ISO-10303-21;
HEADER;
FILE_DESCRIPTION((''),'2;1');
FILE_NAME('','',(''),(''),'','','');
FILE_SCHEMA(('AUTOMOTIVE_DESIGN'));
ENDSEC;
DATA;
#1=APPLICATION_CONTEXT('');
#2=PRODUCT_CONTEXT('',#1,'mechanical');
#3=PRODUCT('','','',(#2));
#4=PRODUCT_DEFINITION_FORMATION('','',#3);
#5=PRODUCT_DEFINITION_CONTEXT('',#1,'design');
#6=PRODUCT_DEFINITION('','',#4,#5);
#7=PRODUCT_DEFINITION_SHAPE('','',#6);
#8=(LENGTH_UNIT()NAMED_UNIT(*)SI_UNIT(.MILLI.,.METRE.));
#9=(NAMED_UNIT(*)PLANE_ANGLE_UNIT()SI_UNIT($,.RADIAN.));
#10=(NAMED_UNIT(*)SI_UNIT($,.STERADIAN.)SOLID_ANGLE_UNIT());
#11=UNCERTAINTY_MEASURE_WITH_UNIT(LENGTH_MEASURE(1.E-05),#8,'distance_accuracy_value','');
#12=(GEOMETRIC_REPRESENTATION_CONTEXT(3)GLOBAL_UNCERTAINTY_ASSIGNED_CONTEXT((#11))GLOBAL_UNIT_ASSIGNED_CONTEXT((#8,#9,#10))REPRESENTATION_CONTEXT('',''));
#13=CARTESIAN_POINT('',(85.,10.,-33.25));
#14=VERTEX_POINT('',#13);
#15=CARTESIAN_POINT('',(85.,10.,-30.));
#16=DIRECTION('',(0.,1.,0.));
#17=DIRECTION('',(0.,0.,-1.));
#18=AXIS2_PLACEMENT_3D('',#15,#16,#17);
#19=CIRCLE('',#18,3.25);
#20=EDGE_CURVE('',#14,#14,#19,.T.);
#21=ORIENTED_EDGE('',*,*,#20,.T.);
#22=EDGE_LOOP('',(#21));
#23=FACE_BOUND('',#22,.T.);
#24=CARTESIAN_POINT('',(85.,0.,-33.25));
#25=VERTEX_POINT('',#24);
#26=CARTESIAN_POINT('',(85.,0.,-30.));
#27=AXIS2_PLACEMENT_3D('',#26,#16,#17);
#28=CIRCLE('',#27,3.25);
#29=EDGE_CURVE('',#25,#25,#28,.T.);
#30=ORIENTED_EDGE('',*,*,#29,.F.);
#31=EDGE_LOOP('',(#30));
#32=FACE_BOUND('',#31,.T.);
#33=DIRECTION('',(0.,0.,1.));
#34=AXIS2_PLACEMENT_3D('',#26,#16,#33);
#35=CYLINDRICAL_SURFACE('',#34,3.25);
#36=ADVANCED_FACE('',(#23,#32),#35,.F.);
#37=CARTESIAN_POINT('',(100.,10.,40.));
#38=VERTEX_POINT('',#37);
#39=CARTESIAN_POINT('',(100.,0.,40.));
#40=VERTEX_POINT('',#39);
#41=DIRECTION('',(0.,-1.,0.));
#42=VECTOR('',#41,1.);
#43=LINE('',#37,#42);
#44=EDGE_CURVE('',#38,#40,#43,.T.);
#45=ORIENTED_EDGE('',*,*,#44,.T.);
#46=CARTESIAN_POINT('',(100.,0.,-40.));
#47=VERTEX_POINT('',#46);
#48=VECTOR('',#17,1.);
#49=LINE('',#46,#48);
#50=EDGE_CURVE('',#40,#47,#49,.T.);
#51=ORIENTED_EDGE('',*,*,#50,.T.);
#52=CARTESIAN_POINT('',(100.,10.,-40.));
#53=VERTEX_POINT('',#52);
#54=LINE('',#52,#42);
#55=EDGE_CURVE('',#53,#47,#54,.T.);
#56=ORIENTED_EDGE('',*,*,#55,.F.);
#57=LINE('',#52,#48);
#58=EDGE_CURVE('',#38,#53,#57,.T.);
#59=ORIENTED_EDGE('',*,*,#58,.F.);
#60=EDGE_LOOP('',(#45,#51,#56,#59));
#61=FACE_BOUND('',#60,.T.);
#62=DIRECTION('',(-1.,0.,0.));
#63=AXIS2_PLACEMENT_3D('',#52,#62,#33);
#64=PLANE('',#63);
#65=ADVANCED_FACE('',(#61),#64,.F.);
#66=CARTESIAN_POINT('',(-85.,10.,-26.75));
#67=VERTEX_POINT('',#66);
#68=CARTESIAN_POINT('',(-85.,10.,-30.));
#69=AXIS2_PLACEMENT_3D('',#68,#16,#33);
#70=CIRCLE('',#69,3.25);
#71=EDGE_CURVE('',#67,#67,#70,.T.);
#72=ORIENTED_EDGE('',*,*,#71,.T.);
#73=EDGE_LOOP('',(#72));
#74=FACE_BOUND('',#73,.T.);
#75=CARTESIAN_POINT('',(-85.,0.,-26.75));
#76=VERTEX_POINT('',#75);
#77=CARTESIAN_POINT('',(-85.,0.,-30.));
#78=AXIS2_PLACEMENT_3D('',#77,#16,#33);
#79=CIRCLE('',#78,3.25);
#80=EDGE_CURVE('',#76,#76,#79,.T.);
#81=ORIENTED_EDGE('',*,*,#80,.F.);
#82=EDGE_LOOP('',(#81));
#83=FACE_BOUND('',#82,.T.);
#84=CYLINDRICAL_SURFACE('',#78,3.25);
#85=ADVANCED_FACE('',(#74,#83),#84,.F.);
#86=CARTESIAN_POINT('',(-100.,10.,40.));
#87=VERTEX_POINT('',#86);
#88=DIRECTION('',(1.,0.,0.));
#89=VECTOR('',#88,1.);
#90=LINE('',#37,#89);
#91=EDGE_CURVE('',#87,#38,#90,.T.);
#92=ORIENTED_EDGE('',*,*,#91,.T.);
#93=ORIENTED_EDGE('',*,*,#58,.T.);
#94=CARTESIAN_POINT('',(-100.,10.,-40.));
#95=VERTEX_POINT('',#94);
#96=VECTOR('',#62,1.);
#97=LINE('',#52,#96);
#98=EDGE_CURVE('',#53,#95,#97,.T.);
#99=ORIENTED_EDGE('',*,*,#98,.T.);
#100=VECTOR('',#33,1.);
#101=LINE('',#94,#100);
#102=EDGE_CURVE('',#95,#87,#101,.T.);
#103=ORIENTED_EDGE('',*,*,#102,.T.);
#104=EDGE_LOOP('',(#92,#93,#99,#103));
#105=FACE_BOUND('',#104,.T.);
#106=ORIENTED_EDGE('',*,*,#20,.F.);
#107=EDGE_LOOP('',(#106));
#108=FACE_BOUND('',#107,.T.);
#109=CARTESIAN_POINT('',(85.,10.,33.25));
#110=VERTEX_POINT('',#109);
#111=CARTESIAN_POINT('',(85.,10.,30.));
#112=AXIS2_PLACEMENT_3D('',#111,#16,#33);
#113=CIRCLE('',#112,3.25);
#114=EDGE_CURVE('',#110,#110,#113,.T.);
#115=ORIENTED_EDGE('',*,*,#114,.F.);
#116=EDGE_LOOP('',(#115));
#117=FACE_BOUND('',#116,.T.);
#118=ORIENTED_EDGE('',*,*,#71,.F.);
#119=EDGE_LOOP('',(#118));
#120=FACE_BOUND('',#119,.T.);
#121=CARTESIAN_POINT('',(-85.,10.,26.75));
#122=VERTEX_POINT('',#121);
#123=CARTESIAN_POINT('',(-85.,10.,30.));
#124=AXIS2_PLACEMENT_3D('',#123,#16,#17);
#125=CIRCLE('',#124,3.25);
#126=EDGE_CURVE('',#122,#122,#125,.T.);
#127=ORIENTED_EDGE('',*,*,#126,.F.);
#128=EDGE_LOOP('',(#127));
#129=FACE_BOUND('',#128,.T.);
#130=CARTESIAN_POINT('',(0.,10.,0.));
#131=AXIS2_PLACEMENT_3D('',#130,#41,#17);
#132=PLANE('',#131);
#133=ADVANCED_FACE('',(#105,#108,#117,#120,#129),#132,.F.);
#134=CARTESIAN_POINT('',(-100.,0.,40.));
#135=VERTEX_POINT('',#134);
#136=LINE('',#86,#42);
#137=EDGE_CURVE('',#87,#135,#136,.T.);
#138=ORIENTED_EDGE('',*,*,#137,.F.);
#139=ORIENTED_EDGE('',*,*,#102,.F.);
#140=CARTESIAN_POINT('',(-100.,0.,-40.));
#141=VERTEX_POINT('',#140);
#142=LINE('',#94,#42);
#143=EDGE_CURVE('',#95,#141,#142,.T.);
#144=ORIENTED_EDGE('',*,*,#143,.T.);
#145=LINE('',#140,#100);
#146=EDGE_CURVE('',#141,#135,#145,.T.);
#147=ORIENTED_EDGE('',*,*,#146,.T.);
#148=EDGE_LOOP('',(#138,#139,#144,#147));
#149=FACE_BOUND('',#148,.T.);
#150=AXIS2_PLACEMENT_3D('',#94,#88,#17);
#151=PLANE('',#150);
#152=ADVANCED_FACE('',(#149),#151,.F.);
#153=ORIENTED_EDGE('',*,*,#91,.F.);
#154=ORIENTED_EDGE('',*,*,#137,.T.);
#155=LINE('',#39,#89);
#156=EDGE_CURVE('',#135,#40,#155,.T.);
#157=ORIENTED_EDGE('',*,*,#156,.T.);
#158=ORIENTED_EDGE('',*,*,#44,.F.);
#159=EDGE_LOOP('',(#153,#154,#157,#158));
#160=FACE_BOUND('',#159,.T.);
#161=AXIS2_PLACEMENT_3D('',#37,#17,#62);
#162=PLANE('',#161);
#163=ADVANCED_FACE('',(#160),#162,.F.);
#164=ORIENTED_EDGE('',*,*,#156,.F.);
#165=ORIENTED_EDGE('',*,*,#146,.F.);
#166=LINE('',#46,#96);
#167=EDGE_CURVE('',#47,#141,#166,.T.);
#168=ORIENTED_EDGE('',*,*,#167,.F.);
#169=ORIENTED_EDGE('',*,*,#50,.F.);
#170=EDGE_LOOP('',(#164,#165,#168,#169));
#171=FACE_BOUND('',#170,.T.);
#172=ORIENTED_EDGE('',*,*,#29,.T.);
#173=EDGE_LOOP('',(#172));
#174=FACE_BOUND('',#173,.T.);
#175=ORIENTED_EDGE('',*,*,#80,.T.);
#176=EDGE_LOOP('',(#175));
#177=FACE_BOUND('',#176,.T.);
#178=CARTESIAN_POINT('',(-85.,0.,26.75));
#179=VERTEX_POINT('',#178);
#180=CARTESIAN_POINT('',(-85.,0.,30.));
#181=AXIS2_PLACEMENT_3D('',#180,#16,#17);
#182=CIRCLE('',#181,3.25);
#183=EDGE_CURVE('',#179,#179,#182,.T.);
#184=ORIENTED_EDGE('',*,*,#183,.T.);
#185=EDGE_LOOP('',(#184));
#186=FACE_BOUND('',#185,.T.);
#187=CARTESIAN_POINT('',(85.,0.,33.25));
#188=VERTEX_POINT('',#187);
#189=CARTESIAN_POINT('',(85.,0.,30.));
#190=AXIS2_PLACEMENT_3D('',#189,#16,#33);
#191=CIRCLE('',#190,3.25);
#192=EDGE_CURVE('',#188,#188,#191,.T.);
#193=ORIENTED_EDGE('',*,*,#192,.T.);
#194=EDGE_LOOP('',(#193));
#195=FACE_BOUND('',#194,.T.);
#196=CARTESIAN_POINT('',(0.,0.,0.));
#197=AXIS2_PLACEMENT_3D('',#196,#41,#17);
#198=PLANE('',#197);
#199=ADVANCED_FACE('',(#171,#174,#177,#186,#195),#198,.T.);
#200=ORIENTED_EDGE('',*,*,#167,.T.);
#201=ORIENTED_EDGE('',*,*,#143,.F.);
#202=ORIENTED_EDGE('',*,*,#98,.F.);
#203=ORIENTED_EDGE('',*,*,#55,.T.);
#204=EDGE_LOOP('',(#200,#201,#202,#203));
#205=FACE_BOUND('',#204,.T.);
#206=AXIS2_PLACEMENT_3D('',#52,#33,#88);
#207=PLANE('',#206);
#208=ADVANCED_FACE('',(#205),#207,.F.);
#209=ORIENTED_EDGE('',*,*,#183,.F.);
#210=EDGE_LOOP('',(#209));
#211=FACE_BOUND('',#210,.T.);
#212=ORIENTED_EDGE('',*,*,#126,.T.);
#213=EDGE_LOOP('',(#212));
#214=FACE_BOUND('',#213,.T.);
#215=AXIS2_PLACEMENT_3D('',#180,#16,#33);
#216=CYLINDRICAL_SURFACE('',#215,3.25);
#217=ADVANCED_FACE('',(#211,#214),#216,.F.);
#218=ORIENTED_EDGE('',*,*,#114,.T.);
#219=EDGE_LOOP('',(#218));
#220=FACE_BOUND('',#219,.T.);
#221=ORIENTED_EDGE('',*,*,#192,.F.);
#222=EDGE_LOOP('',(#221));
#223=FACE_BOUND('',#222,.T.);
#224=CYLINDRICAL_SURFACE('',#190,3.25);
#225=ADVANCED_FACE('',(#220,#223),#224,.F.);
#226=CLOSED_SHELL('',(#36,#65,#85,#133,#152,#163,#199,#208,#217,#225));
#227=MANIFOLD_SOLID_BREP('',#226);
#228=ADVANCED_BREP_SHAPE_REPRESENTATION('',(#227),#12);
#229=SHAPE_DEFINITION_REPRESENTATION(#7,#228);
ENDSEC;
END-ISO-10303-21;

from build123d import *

# Parameters (mm, degrees)
SKETCH1_W           = 200
SKETCH1_H           = 80
BOSS_EXTRUDE1_DEPTH = 10
SKETCH2_R           = 3.25
CUT_EXTRUDE1_DEPTH  = 109.166538264


with BuildPart() as part:
    # Sketch1 → Boss-Extrude1 (new body)
    with BuildSketch(Plane(origin=(0, 0, 0), x_dir=(1, 0, 0), z_dir=(0, 1, 0))):
        Rectangle(SKETCH1_W, SKETCH1_H)
    extrude(amount=BOSS_EXTRUDE1_DEPTH)

    # Sketch2 → Cut-Extrude1 (cut, through all)
    with BuildSketch(Plane(origin=(0, 10, 0), x_dir=(1, 0, 0), z_dir=(0, 1, 0))):
        with Locations(Location((-85, 30, 0), (0, 0, 270))):
            Circle(SKETCH2_R)
        with Locations(Location((85, 30, 0), (0, 0, 90))):
            Circle(SKETCH2_R)
        with Locations(Location((85, -30, 0), (0, 0, 270))):
            Circle(SKETCH2_R)
        with Locations(Location((-85, -30, 0), (0, 0, 90))):
            Circle(SKETCH2_R)
    extrude(amount=-CUT_EXTRUDE1_DEPTH, mode=Mode.SUBTRACT)


solid = part.part
